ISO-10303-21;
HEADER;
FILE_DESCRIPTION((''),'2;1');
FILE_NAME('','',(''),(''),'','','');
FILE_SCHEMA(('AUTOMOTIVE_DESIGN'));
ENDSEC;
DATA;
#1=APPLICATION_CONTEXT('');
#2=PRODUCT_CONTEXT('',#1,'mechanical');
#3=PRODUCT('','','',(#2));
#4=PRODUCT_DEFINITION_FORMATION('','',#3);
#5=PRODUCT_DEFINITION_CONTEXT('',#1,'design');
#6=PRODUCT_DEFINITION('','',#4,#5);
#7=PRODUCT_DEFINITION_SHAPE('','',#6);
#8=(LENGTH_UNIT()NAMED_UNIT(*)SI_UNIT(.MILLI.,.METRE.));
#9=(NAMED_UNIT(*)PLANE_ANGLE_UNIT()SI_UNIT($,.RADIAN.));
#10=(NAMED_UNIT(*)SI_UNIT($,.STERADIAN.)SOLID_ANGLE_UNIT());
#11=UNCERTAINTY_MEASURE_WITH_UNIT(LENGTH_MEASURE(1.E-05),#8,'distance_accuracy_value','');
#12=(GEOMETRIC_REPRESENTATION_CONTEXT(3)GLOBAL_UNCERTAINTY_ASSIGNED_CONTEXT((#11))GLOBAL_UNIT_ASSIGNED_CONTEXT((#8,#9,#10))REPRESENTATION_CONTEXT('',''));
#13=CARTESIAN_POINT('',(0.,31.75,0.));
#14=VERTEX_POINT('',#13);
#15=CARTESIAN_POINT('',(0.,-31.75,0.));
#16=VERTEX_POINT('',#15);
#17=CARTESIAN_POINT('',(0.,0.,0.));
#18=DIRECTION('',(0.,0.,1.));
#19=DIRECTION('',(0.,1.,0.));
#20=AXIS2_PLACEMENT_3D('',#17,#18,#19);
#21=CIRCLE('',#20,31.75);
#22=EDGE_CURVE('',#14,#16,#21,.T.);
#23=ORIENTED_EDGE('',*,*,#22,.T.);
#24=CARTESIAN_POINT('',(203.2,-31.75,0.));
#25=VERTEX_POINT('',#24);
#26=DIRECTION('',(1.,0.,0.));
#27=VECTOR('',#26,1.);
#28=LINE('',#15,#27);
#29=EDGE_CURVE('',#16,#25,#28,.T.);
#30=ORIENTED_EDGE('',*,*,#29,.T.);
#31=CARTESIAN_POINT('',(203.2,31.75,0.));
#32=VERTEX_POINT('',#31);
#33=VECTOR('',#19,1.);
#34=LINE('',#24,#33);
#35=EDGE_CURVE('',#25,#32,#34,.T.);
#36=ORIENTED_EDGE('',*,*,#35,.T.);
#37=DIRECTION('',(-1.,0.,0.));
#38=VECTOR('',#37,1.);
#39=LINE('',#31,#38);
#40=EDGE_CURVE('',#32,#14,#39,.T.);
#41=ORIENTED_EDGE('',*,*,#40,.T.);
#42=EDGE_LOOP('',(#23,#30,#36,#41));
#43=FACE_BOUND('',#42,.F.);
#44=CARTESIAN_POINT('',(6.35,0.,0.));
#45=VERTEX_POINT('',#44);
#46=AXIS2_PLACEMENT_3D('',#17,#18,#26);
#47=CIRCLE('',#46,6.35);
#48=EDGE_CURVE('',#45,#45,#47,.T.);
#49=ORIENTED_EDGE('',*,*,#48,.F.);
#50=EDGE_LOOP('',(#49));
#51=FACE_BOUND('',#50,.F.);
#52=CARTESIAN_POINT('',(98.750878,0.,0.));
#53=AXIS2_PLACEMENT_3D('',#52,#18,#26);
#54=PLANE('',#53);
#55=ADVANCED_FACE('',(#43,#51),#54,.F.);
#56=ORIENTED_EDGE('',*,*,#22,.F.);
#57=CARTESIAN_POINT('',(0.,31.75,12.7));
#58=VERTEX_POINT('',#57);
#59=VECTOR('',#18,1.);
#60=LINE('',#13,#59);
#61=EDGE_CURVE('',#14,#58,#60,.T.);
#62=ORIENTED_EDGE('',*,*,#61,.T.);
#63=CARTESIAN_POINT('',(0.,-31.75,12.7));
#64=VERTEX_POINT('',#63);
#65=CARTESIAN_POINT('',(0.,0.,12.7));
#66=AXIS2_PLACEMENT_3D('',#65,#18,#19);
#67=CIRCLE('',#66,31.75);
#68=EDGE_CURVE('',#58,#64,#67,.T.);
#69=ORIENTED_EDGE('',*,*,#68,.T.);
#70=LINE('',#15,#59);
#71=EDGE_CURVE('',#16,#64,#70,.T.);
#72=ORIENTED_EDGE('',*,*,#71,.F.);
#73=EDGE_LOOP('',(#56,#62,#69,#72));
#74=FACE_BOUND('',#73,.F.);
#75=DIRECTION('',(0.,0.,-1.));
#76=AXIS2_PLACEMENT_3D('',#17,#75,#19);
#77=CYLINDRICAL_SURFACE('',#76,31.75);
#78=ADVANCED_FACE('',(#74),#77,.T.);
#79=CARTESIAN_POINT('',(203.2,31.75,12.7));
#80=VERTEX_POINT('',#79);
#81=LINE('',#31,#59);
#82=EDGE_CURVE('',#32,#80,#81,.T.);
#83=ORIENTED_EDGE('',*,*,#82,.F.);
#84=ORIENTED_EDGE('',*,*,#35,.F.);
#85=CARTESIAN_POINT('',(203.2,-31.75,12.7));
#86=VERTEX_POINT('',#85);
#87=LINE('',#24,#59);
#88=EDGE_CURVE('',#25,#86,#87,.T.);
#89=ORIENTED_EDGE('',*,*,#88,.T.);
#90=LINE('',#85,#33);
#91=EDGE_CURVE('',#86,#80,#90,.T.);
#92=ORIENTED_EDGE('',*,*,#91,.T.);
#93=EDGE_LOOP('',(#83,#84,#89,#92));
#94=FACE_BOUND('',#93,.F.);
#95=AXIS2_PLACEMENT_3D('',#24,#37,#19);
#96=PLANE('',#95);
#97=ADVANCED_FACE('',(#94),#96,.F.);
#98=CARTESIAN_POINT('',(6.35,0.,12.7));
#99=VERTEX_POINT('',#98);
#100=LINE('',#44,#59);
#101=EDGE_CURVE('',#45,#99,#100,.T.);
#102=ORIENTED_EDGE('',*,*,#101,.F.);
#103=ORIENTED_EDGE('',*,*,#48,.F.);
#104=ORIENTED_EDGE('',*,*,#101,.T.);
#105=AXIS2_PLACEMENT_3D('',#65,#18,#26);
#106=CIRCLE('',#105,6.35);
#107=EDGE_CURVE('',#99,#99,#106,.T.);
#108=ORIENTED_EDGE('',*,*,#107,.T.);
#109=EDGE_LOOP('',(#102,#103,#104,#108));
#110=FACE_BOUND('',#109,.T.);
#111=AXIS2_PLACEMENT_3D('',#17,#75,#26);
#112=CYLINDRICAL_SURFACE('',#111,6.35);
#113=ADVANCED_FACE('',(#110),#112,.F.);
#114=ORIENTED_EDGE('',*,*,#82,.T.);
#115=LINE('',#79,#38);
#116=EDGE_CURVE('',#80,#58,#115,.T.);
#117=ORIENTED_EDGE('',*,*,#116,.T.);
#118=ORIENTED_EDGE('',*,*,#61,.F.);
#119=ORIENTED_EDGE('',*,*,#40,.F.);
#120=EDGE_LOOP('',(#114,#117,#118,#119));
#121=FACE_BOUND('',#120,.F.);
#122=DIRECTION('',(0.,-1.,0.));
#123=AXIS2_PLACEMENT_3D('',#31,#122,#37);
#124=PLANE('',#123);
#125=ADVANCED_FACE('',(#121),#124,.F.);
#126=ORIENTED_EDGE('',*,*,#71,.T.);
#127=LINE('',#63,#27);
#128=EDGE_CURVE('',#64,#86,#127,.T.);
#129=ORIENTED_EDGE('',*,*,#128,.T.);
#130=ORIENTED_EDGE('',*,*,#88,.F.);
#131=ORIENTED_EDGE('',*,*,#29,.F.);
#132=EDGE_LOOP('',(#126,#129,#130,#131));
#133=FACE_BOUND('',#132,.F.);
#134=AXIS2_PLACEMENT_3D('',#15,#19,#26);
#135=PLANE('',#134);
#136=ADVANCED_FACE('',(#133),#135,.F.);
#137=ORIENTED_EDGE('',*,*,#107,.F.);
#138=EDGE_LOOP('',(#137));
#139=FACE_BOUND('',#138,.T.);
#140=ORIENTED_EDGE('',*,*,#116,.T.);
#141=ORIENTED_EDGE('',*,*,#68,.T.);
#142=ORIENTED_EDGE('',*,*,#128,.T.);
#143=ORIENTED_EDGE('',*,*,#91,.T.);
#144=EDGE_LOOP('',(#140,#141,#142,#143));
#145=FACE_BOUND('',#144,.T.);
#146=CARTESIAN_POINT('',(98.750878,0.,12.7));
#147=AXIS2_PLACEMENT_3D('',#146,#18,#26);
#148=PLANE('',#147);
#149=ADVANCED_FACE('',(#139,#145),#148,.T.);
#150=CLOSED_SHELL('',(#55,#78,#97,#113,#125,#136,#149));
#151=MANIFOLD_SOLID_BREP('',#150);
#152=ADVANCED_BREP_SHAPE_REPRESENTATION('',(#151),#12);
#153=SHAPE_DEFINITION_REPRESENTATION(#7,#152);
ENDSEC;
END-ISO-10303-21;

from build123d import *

# Parameters (mm, degrees)
F0_R     = 6.35
F1_DEPTH = 12.7


with BuildPart() as f1:
    # F0 (on Top) → F1 (new body)
    with BuildSketch(Plane.XY):
        with BuildLine():
            ThreePointArc((0, 31.75), (22.45064, 22.45064), (31.75, 0))
            ThreePointArc((31.75, 0), (22.45064, -22.45064), (0, -31.75))
            Line((0, -31.75), (203.2, -31.75))
            Line((203.2, -31.75), (203.2, 31.75))
            Line((203.2, 31.75), (0, 31.75))
        make_face()
        with BuildLine():
            ThreePointArc((0, -31.75), (22.45064, -22.45064), (31.75, 0))
            ThreePointArc((31.75, 0), (22.45064, 22.45064), (0, 31.75))
            ThreePointArc((0, 31.75), (-31.75, 0), (0, -31.75))
        make_face()
        Circle(F0_R, mode=Mode.SUBTRACT)
    extrude(amount=F1_DEPTH)


solid = f1.part
